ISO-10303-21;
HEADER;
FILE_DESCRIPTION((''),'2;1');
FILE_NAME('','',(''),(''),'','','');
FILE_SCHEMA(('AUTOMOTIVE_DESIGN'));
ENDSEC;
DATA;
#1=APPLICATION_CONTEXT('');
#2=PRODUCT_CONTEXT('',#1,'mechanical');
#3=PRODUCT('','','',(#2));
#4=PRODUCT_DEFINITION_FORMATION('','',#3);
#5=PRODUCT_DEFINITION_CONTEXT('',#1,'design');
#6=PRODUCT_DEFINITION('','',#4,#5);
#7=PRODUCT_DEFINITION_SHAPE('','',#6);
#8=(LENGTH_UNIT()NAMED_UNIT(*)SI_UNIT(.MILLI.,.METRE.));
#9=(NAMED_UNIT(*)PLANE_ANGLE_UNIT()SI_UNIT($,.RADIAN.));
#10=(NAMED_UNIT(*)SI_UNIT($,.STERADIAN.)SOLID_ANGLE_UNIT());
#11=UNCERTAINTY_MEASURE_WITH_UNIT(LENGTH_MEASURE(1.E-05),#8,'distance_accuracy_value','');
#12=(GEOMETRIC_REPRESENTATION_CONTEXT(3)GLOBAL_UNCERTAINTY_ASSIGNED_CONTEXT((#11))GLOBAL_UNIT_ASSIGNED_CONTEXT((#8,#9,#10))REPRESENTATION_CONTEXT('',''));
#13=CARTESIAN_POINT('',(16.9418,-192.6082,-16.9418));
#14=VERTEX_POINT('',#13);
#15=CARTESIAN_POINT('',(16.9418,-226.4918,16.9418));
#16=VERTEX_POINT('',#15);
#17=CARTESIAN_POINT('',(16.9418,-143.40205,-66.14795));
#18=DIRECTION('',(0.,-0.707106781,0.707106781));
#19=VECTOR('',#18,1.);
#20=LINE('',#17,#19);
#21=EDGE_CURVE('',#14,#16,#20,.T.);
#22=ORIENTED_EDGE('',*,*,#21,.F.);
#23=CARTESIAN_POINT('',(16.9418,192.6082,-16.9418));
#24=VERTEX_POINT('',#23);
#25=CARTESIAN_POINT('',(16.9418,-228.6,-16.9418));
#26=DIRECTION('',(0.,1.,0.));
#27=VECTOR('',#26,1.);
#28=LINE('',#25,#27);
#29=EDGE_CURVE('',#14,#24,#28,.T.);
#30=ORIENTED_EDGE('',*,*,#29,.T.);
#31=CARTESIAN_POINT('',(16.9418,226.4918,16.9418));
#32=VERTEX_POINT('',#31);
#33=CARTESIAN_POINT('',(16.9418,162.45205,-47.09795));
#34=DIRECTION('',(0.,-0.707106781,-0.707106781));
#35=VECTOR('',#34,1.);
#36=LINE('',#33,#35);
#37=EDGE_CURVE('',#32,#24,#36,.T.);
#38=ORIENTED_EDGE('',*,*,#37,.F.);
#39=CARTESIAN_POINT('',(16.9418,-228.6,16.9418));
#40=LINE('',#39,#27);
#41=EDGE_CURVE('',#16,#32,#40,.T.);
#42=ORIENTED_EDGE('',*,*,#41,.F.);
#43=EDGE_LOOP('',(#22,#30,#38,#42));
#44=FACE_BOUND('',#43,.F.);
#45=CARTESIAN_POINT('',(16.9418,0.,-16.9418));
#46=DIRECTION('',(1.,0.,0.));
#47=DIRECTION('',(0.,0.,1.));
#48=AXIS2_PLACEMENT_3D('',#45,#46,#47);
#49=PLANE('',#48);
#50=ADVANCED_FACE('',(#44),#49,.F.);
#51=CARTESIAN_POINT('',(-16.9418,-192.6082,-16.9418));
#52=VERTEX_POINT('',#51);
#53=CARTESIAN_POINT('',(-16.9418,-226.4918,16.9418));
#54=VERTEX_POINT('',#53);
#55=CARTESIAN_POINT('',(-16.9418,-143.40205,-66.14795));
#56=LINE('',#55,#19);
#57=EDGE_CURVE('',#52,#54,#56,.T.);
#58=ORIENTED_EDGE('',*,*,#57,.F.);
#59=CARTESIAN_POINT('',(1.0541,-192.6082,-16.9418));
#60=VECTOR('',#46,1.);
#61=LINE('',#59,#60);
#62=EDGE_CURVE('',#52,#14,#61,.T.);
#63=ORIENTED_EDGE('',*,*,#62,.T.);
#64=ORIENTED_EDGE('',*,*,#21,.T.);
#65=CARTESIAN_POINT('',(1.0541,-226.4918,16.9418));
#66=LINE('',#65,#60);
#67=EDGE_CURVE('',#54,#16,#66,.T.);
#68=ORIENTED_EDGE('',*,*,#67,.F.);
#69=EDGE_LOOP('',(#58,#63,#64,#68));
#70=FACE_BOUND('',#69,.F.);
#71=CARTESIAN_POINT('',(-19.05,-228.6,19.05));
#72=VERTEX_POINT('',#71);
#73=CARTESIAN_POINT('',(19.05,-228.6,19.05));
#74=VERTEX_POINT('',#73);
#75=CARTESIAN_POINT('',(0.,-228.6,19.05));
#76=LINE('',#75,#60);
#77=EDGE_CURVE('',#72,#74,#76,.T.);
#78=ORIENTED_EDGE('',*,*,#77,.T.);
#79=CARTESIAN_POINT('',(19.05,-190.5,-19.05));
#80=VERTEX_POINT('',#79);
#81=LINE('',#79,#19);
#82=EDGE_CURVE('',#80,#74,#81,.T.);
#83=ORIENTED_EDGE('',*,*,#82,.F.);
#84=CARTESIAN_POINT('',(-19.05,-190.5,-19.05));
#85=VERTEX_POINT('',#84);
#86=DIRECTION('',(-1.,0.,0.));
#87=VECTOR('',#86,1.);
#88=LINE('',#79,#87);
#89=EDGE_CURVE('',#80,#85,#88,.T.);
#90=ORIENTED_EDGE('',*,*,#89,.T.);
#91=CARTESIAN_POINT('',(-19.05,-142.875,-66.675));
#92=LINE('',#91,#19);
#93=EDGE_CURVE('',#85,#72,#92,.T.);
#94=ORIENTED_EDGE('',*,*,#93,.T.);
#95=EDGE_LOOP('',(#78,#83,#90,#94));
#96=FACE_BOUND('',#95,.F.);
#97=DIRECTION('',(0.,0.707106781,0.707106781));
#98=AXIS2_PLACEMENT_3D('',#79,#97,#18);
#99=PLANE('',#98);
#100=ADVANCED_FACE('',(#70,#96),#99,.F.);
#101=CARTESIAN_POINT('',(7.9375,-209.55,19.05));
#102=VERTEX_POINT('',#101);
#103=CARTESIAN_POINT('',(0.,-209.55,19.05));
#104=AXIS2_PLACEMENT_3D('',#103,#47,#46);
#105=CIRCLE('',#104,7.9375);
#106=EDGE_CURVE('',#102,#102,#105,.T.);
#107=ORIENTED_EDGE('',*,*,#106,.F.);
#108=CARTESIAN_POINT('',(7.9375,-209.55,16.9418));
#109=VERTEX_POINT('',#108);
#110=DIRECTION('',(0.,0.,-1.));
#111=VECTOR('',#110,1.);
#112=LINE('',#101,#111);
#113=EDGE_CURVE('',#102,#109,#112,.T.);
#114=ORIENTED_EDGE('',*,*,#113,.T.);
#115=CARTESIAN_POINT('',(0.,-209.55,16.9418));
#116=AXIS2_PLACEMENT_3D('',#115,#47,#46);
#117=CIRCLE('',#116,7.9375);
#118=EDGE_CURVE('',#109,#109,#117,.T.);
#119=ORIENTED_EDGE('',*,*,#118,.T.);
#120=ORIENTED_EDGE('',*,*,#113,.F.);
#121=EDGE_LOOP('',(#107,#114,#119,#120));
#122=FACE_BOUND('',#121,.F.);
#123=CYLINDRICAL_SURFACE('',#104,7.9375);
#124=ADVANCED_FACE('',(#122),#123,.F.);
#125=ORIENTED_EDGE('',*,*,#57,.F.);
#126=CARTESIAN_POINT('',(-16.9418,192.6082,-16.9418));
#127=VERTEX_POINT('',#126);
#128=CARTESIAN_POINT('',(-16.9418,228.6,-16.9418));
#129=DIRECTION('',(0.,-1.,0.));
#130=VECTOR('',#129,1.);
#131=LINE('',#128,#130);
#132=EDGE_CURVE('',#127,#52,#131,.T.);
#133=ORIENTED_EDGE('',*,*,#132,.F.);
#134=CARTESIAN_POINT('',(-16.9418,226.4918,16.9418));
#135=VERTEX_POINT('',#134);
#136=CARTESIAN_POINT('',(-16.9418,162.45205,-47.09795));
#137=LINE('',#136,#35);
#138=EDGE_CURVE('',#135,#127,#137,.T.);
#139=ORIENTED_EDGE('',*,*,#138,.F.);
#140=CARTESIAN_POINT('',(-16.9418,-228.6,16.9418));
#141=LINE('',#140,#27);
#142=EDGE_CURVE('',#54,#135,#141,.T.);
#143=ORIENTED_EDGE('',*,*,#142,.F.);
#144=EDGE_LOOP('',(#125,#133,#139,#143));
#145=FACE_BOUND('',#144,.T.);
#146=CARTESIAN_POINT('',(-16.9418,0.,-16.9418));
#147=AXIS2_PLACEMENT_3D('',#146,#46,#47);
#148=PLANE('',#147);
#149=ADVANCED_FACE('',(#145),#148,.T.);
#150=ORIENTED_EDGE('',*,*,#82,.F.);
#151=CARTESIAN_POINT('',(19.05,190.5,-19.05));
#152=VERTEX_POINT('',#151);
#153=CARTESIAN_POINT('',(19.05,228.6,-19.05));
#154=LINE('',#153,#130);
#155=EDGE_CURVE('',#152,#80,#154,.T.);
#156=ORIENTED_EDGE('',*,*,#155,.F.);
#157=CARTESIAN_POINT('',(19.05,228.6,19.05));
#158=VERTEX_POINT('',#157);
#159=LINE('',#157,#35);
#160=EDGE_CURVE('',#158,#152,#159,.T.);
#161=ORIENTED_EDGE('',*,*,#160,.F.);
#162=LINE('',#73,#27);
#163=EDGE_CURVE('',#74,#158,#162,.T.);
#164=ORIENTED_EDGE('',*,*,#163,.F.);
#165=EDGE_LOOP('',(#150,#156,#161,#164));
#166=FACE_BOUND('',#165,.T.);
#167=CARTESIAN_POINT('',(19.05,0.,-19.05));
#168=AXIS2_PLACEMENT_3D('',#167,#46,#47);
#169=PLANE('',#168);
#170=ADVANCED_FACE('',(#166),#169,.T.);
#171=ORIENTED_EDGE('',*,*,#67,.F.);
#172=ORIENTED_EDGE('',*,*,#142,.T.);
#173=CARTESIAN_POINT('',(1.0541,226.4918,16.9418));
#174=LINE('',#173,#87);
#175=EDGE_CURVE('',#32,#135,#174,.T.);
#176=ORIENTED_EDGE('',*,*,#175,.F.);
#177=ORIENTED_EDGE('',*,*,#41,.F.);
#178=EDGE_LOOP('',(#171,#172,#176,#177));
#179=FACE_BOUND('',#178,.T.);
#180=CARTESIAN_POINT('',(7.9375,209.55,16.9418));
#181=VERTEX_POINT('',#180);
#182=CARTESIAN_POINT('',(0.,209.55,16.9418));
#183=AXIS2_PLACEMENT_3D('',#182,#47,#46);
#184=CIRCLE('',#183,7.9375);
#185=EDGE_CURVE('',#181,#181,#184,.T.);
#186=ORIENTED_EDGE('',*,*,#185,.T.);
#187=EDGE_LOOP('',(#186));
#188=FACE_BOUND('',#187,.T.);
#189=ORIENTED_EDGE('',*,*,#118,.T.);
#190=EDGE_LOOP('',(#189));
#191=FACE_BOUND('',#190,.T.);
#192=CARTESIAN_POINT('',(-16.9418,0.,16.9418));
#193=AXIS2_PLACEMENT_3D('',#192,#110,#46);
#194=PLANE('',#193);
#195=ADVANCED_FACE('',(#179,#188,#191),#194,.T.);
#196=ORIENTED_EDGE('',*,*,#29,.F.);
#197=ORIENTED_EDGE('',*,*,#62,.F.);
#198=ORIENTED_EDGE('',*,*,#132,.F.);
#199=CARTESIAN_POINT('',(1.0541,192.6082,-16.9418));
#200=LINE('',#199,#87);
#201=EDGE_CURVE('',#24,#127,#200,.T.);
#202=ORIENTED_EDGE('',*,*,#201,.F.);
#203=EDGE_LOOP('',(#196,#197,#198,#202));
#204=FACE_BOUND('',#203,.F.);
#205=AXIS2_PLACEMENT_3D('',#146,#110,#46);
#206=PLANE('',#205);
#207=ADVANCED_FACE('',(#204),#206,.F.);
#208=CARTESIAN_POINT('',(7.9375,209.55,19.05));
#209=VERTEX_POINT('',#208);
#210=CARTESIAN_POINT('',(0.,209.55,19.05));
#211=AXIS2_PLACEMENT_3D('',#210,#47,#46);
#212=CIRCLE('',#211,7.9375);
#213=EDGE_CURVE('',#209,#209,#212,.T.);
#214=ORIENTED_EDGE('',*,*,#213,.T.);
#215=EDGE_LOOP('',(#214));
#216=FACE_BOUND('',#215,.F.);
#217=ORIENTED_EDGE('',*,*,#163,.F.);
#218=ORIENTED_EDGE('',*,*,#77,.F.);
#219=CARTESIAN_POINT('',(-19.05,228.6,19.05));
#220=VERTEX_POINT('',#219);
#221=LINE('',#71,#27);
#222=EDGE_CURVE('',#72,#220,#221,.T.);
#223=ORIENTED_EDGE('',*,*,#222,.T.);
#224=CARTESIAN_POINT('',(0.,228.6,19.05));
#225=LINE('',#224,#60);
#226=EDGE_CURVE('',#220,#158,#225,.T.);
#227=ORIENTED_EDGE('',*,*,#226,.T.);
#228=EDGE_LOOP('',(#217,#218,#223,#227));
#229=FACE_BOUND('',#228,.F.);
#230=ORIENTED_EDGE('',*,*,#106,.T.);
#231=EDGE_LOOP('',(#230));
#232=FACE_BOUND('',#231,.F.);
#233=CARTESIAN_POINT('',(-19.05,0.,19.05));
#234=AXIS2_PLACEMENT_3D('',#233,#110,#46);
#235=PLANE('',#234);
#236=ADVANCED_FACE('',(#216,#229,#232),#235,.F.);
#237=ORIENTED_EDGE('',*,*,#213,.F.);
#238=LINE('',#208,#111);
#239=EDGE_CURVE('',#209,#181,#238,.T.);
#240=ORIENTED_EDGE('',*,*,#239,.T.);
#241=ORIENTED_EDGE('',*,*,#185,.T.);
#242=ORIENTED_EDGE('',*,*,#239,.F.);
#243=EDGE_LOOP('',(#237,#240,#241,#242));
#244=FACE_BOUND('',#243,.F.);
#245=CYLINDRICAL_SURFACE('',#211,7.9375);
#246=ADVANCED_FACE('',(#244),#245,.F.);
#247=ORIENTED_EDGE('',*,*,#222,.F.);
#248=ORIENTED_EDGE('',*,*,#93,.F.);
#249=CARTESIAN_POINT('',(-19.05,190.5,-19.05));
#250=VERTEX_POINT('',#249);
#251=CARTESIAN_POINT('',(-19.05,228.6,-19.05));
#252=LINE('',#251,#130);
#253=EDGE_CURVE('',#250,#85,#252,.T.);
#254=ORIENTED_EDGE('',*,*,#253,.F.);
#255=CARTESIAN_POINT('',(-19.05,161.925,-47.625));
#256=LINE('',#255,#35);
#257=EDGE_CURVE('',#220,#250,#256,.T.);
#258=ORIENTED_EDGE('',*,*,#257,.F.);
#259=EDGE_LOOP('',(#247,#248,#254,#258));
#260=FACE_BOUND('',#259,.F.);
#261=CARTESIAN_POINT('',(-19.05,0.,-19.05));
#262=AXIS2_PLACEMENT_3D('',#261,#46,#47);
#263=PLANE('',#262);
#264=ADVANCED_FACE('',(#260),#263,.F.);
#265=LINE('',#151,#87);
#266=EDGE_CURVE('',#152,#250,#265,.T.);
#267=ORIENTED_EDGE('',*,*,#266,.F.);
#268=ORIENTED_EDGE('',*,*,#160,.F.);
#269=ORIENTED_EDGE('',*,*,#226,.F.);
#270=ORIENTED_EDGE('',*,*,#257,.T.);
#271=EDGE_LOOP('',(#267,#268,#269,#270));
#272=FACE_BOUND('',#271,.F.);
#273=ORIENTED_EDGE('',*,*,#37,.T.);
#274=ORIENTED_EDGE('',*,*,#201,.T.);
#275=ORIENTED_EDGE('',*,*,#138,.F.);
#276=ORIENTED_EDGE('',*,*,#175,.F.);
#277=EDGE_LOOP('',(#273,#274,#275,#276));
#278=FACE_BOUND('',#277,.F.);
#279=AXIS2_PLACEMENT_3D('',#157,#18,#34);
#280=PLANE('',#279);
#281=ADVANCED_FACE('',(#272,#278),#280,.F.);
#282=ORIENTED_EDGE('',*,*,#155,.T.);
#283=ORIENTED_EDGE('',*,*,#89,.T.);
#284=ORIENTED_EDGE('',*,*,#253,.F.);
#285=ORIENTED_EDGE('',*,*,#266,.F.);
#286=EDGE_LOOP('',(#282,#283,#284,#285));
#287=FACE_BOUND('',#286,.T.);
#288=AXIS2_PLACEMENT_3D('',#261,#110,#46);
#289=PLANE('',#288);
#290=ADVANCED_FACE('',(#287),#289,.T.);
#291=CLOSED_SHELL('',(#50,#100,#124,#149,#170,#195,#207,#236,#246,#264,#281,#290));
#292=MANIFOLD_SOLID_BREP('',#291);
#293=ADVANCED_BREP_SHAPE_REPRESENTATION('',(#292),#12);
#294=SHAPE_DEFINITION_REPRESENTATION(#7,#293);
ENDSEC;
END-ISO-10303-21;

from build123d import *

# Parameters (mm, degrees)
F0_W     = 38.1
F0_H     = 38.1
F0_W_2   = 33.8836
F0_H_2   = 33.8836
F1_DEPTH = 228.6
F3_DEPTH = 38.101
F4_R     = 7.9375
F5_DEPTH = 2.1082


with BuildPart() as f1:
    # F0 (on Front) → F1 (new body, symmetric)
    with BuildSketch(Plane.XZ):
        Rectangle(F0_W, F0_H)
        Rectangle(F0_W_2, F0_H_2, mode=Mode.SUBTRACT)
    extrude(amount=F1_DEPTH, both=True)

    # F2 (on face) → F3 (cut, through all)
    with BuildSketch(Plane.YZ.offset(19.05)):
        Polygon((-190.5, -19.05), (-228.6, 19.05), (-228.6, -19.05), align=None)
        Polygon((228.6, -19.05), (228.6, 19.05), (190.5, -19.05), align=None)
    extrude(amount=-F3_DEPTH, mode=Mode.SUBTRACT)

    # F4 (on face) → F5 (cut, through all)
    with BuildSketch(Plane.XY.offset(19.05)):
        with Locations((0, 209.55)):
            Circle(F4_R)
        with Locations((0, -209.55)):
            Circle(F4_R)
    extrude(amount=-F5_DEPTH, mode=Mode.SUBTRACT)


solid = f1.part
